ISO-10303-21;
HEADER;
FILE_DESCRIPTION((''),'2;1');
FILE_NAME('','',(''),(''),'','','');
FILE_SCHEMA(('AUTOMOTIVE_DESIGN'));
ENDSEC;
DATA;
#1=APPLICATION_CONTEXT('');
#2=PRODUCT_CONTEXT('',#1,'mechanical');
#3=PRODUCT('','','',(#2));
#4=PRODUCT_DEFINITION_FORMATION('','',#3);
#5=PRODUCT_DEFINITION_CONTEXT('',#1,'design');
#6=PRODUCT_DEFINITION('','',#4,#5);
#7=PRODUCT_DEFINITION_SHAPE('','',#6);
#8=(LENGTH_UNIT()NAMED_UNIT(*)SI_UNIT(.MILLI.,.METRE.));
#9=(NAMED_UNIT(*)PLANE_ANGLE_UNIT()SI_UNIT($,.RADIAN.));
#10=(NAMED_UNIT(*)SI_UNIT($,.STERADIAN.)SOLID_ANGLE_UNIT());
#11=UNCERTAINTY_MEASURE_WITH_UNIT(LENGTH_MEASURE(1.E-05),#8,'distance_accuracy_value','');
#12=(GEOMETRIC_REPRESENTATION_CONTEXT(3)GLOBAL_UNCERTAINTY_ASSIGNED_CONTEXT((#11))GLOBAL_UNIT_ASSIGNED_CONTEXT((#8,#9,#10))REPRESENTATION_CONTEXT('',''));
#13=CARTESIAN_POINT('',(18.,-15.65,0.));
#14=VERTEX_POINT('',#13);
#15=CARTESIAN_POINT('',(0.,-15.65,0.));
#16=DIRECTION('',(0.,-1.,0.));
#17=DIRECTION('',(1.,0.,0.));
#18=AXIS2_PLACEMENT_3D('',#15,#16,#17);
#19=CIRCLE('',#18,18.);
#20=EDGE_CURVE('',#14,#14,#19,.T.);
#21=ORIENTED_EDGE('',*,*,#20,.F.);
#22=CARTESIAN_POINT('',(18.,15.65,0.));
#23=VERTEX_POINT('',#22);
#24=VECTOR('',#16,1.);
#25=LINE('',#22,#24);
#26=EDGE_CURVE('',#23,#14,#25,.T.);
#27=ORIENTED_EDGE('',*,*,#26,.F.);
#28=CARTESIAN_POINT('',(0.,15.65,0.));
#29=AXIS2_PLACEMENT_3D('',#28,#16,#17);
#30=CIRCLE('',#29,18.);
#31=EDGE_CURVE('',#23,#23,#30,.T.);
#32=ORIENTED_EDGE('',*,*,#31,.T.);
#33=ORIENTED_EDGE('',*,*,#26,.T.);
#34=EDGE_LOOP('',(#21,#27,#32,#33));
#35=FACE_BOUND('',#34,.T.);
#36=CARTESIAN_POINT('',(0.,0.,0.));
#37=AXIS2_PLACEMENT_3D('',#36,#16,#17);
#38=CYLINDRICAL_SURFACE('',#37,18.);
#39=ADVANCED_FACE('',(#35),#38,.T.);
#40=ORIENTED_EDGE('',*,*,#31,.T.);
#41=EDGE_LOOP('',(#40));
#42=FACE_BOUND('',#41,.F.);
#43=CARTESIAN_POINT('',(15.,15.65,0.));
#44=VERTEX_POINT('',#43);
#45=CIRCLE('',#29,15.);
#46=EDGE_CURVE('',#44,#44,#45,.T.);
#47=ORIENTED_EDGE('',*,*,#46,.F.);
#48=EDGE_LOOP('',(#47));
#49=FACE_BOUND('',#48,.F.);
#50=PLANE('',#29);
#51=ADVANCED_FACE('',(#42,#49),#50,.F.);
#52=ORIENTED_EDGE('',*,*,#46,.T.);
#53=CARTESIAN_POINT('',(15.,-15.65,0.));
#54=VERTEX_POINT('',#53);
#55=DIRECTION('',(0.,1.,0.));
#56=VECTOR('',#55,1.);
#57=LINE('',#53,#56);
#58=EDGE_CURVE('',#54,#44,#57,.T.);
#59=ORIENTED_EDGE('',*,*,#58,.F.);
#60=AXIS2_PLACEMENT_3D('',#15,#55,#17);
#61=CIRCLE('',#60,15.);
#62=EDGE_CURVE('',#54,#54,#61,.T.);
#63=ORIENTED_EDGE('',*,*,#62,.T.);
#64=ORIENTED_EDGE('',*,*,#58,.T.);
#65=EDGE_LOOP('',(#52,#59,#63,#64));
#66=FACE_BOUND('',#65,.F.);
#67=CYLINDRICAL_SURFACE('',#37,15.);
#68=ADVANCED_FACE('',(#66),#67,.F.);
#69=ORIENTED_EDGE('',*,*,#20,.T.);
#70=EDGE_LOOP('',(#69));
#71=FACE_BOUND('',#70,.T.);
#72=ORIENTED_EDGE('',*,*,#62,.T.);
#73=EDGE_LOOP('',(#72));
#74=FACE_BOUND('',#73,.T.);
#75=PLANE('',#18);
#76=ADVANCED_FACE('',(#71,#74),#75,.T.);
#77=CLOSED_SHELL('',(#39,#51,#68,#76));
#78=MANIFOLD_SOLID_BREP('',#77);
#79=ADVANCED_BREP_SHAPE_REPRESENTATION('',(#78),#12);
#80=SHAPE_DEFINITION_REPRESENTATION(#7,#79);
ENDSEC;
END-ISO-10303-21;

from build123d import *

# Parameters (mm, degrees)
F0_R          = 18
F1_DEPTH      = 15.65
F2_R          = 15
F3_DEPTH      = 15.651
F3_DEPTH_BACK = 15.651


with BuildPart() as f1:
    # F0 (on Front) → F1 (new body, symmetric)
    with BuildSketch(Plane.XZ):
        Circle(F0_R)
    extrude(amount=F1_DEPTH, both=True)

    # F2 (on Front) → F3 (cut, two sides)
    with BuildSketch(Plane.XZ) as f3_sk:
        Circle(F2_R)
    extrude(amount=-F3_DEPTH, mode=Mode.SUBTRACT)
    extrude(f3_sk.sketch, amount=F3_DEPTH_BACK, mode=Mode.SUBTRACT)


solid = f1.part
